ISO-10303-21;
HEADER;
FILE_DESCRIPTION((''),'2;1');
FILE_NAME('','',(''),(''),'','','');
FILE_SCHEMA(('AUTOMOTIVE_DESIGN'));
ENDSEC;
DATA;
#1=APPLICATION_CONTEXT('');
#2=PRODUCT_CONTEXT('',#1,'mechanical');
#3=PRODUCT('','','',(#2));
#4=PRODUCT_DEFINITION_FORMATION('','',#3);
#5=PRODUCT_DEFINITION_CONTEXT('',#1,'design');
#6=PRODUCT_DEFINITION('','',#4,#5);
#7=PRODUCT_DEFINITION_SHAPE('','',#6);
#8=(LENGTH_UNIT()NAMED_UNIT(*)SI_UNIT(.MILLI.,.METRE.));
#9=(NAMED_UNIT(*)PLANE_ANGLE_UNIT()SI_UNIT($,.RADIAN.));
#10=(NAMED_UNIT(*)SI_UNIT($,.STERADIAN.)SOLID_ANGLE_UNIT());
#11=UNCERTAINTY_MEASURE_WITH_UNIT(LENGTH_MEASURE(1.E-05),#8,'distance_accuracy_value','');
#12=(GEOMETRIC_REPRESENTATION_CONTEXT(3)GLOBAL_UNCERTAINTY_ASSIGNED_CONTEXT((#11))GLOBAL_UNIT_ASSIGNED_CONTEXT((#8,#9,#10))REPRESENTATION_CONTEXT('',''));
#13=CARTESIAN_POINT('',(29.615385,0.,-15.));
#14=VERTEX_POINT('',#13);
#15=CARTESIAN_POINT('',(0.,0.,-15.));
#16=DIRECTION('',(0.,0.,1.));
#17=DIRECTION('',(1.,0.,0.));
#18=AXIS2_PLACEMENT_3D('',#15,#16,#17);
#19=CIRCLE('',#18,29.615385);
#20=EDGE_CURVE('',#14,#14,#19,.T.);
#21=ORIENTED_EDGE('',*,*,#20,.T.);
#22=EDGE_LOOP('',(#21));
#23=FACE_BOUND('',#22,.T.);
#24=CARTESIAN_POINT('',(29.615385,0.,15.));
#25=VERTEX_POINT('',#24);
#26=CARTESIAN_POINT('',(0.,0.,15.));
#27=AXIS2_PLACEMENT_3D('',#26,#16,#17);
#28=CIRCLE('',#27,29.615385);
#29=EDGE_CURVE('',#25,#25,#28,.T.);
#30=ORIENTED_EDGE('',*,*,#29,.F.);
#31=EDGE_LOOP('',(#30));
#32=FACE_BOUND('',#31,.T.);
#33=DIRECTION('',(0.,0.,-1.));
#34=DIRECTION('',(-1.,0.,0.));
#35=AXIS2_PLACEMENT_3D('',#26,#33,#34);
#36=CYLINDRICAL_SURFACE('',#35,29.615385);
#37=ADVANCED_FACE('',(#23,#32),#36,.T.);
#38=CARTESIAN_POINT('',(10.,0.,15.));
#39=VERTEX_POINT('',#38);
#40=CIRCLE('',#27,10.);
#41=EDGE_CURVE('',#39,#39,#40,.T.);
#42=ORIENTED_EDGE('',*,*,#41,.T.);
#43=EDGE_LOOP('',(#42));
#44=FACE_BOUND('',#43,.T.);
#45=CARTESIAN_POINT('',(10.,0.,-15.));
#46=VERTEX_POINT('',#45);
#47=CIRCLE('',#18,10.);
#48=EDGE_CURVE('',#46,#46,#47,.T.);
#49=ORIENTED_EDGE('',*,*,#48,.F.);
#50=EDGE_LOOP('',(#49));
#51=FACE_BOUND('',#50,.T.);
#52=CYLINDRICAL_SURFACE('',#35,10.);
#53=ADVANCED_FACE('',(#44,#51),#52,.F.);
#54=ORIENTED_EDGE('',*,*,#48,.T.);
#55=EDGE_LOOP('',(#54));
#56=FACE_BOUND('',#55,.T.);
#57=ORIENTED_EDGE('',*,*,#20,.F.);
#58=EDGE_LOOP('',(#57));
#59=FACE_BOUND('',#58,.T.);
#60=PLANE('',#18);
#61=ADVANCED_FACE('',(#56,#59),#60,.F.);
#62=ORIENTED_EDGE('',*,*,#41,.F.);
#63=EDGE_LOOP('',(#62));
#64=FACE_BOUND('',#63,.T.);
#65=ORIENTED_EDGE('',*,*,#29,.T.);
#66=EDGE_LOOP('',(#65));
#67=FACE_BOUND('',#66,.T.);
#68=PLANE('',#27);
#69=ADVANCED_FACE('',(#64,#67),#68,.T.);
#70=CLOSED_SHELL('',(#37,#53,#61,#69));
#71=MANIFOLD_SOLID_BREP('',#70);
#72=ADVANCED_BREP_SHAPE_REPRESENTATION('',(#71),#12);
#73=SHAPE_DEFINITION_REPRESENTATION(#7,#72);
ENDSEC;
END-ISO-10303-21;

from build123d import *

# Parameters (mm, degrees)
CARRIER_START = -15
SKETCH_1_R    = 29.615384615
SKETCH_1_R_2  = 10
CARRIER_DEPTH = 30


with BuildPart() as part:
    # Эскиз1 → Carrier (new body)
    with BuildSketch(Plane.XY.offset(CARRIER_START)):
        Circle(SKETCH_1_R)
        Circle(SKETCH_1_R_2, mode=Mode.SUBTRACT)
    extrude(amount=CARRIER_DEPTH)


solid = part.part
